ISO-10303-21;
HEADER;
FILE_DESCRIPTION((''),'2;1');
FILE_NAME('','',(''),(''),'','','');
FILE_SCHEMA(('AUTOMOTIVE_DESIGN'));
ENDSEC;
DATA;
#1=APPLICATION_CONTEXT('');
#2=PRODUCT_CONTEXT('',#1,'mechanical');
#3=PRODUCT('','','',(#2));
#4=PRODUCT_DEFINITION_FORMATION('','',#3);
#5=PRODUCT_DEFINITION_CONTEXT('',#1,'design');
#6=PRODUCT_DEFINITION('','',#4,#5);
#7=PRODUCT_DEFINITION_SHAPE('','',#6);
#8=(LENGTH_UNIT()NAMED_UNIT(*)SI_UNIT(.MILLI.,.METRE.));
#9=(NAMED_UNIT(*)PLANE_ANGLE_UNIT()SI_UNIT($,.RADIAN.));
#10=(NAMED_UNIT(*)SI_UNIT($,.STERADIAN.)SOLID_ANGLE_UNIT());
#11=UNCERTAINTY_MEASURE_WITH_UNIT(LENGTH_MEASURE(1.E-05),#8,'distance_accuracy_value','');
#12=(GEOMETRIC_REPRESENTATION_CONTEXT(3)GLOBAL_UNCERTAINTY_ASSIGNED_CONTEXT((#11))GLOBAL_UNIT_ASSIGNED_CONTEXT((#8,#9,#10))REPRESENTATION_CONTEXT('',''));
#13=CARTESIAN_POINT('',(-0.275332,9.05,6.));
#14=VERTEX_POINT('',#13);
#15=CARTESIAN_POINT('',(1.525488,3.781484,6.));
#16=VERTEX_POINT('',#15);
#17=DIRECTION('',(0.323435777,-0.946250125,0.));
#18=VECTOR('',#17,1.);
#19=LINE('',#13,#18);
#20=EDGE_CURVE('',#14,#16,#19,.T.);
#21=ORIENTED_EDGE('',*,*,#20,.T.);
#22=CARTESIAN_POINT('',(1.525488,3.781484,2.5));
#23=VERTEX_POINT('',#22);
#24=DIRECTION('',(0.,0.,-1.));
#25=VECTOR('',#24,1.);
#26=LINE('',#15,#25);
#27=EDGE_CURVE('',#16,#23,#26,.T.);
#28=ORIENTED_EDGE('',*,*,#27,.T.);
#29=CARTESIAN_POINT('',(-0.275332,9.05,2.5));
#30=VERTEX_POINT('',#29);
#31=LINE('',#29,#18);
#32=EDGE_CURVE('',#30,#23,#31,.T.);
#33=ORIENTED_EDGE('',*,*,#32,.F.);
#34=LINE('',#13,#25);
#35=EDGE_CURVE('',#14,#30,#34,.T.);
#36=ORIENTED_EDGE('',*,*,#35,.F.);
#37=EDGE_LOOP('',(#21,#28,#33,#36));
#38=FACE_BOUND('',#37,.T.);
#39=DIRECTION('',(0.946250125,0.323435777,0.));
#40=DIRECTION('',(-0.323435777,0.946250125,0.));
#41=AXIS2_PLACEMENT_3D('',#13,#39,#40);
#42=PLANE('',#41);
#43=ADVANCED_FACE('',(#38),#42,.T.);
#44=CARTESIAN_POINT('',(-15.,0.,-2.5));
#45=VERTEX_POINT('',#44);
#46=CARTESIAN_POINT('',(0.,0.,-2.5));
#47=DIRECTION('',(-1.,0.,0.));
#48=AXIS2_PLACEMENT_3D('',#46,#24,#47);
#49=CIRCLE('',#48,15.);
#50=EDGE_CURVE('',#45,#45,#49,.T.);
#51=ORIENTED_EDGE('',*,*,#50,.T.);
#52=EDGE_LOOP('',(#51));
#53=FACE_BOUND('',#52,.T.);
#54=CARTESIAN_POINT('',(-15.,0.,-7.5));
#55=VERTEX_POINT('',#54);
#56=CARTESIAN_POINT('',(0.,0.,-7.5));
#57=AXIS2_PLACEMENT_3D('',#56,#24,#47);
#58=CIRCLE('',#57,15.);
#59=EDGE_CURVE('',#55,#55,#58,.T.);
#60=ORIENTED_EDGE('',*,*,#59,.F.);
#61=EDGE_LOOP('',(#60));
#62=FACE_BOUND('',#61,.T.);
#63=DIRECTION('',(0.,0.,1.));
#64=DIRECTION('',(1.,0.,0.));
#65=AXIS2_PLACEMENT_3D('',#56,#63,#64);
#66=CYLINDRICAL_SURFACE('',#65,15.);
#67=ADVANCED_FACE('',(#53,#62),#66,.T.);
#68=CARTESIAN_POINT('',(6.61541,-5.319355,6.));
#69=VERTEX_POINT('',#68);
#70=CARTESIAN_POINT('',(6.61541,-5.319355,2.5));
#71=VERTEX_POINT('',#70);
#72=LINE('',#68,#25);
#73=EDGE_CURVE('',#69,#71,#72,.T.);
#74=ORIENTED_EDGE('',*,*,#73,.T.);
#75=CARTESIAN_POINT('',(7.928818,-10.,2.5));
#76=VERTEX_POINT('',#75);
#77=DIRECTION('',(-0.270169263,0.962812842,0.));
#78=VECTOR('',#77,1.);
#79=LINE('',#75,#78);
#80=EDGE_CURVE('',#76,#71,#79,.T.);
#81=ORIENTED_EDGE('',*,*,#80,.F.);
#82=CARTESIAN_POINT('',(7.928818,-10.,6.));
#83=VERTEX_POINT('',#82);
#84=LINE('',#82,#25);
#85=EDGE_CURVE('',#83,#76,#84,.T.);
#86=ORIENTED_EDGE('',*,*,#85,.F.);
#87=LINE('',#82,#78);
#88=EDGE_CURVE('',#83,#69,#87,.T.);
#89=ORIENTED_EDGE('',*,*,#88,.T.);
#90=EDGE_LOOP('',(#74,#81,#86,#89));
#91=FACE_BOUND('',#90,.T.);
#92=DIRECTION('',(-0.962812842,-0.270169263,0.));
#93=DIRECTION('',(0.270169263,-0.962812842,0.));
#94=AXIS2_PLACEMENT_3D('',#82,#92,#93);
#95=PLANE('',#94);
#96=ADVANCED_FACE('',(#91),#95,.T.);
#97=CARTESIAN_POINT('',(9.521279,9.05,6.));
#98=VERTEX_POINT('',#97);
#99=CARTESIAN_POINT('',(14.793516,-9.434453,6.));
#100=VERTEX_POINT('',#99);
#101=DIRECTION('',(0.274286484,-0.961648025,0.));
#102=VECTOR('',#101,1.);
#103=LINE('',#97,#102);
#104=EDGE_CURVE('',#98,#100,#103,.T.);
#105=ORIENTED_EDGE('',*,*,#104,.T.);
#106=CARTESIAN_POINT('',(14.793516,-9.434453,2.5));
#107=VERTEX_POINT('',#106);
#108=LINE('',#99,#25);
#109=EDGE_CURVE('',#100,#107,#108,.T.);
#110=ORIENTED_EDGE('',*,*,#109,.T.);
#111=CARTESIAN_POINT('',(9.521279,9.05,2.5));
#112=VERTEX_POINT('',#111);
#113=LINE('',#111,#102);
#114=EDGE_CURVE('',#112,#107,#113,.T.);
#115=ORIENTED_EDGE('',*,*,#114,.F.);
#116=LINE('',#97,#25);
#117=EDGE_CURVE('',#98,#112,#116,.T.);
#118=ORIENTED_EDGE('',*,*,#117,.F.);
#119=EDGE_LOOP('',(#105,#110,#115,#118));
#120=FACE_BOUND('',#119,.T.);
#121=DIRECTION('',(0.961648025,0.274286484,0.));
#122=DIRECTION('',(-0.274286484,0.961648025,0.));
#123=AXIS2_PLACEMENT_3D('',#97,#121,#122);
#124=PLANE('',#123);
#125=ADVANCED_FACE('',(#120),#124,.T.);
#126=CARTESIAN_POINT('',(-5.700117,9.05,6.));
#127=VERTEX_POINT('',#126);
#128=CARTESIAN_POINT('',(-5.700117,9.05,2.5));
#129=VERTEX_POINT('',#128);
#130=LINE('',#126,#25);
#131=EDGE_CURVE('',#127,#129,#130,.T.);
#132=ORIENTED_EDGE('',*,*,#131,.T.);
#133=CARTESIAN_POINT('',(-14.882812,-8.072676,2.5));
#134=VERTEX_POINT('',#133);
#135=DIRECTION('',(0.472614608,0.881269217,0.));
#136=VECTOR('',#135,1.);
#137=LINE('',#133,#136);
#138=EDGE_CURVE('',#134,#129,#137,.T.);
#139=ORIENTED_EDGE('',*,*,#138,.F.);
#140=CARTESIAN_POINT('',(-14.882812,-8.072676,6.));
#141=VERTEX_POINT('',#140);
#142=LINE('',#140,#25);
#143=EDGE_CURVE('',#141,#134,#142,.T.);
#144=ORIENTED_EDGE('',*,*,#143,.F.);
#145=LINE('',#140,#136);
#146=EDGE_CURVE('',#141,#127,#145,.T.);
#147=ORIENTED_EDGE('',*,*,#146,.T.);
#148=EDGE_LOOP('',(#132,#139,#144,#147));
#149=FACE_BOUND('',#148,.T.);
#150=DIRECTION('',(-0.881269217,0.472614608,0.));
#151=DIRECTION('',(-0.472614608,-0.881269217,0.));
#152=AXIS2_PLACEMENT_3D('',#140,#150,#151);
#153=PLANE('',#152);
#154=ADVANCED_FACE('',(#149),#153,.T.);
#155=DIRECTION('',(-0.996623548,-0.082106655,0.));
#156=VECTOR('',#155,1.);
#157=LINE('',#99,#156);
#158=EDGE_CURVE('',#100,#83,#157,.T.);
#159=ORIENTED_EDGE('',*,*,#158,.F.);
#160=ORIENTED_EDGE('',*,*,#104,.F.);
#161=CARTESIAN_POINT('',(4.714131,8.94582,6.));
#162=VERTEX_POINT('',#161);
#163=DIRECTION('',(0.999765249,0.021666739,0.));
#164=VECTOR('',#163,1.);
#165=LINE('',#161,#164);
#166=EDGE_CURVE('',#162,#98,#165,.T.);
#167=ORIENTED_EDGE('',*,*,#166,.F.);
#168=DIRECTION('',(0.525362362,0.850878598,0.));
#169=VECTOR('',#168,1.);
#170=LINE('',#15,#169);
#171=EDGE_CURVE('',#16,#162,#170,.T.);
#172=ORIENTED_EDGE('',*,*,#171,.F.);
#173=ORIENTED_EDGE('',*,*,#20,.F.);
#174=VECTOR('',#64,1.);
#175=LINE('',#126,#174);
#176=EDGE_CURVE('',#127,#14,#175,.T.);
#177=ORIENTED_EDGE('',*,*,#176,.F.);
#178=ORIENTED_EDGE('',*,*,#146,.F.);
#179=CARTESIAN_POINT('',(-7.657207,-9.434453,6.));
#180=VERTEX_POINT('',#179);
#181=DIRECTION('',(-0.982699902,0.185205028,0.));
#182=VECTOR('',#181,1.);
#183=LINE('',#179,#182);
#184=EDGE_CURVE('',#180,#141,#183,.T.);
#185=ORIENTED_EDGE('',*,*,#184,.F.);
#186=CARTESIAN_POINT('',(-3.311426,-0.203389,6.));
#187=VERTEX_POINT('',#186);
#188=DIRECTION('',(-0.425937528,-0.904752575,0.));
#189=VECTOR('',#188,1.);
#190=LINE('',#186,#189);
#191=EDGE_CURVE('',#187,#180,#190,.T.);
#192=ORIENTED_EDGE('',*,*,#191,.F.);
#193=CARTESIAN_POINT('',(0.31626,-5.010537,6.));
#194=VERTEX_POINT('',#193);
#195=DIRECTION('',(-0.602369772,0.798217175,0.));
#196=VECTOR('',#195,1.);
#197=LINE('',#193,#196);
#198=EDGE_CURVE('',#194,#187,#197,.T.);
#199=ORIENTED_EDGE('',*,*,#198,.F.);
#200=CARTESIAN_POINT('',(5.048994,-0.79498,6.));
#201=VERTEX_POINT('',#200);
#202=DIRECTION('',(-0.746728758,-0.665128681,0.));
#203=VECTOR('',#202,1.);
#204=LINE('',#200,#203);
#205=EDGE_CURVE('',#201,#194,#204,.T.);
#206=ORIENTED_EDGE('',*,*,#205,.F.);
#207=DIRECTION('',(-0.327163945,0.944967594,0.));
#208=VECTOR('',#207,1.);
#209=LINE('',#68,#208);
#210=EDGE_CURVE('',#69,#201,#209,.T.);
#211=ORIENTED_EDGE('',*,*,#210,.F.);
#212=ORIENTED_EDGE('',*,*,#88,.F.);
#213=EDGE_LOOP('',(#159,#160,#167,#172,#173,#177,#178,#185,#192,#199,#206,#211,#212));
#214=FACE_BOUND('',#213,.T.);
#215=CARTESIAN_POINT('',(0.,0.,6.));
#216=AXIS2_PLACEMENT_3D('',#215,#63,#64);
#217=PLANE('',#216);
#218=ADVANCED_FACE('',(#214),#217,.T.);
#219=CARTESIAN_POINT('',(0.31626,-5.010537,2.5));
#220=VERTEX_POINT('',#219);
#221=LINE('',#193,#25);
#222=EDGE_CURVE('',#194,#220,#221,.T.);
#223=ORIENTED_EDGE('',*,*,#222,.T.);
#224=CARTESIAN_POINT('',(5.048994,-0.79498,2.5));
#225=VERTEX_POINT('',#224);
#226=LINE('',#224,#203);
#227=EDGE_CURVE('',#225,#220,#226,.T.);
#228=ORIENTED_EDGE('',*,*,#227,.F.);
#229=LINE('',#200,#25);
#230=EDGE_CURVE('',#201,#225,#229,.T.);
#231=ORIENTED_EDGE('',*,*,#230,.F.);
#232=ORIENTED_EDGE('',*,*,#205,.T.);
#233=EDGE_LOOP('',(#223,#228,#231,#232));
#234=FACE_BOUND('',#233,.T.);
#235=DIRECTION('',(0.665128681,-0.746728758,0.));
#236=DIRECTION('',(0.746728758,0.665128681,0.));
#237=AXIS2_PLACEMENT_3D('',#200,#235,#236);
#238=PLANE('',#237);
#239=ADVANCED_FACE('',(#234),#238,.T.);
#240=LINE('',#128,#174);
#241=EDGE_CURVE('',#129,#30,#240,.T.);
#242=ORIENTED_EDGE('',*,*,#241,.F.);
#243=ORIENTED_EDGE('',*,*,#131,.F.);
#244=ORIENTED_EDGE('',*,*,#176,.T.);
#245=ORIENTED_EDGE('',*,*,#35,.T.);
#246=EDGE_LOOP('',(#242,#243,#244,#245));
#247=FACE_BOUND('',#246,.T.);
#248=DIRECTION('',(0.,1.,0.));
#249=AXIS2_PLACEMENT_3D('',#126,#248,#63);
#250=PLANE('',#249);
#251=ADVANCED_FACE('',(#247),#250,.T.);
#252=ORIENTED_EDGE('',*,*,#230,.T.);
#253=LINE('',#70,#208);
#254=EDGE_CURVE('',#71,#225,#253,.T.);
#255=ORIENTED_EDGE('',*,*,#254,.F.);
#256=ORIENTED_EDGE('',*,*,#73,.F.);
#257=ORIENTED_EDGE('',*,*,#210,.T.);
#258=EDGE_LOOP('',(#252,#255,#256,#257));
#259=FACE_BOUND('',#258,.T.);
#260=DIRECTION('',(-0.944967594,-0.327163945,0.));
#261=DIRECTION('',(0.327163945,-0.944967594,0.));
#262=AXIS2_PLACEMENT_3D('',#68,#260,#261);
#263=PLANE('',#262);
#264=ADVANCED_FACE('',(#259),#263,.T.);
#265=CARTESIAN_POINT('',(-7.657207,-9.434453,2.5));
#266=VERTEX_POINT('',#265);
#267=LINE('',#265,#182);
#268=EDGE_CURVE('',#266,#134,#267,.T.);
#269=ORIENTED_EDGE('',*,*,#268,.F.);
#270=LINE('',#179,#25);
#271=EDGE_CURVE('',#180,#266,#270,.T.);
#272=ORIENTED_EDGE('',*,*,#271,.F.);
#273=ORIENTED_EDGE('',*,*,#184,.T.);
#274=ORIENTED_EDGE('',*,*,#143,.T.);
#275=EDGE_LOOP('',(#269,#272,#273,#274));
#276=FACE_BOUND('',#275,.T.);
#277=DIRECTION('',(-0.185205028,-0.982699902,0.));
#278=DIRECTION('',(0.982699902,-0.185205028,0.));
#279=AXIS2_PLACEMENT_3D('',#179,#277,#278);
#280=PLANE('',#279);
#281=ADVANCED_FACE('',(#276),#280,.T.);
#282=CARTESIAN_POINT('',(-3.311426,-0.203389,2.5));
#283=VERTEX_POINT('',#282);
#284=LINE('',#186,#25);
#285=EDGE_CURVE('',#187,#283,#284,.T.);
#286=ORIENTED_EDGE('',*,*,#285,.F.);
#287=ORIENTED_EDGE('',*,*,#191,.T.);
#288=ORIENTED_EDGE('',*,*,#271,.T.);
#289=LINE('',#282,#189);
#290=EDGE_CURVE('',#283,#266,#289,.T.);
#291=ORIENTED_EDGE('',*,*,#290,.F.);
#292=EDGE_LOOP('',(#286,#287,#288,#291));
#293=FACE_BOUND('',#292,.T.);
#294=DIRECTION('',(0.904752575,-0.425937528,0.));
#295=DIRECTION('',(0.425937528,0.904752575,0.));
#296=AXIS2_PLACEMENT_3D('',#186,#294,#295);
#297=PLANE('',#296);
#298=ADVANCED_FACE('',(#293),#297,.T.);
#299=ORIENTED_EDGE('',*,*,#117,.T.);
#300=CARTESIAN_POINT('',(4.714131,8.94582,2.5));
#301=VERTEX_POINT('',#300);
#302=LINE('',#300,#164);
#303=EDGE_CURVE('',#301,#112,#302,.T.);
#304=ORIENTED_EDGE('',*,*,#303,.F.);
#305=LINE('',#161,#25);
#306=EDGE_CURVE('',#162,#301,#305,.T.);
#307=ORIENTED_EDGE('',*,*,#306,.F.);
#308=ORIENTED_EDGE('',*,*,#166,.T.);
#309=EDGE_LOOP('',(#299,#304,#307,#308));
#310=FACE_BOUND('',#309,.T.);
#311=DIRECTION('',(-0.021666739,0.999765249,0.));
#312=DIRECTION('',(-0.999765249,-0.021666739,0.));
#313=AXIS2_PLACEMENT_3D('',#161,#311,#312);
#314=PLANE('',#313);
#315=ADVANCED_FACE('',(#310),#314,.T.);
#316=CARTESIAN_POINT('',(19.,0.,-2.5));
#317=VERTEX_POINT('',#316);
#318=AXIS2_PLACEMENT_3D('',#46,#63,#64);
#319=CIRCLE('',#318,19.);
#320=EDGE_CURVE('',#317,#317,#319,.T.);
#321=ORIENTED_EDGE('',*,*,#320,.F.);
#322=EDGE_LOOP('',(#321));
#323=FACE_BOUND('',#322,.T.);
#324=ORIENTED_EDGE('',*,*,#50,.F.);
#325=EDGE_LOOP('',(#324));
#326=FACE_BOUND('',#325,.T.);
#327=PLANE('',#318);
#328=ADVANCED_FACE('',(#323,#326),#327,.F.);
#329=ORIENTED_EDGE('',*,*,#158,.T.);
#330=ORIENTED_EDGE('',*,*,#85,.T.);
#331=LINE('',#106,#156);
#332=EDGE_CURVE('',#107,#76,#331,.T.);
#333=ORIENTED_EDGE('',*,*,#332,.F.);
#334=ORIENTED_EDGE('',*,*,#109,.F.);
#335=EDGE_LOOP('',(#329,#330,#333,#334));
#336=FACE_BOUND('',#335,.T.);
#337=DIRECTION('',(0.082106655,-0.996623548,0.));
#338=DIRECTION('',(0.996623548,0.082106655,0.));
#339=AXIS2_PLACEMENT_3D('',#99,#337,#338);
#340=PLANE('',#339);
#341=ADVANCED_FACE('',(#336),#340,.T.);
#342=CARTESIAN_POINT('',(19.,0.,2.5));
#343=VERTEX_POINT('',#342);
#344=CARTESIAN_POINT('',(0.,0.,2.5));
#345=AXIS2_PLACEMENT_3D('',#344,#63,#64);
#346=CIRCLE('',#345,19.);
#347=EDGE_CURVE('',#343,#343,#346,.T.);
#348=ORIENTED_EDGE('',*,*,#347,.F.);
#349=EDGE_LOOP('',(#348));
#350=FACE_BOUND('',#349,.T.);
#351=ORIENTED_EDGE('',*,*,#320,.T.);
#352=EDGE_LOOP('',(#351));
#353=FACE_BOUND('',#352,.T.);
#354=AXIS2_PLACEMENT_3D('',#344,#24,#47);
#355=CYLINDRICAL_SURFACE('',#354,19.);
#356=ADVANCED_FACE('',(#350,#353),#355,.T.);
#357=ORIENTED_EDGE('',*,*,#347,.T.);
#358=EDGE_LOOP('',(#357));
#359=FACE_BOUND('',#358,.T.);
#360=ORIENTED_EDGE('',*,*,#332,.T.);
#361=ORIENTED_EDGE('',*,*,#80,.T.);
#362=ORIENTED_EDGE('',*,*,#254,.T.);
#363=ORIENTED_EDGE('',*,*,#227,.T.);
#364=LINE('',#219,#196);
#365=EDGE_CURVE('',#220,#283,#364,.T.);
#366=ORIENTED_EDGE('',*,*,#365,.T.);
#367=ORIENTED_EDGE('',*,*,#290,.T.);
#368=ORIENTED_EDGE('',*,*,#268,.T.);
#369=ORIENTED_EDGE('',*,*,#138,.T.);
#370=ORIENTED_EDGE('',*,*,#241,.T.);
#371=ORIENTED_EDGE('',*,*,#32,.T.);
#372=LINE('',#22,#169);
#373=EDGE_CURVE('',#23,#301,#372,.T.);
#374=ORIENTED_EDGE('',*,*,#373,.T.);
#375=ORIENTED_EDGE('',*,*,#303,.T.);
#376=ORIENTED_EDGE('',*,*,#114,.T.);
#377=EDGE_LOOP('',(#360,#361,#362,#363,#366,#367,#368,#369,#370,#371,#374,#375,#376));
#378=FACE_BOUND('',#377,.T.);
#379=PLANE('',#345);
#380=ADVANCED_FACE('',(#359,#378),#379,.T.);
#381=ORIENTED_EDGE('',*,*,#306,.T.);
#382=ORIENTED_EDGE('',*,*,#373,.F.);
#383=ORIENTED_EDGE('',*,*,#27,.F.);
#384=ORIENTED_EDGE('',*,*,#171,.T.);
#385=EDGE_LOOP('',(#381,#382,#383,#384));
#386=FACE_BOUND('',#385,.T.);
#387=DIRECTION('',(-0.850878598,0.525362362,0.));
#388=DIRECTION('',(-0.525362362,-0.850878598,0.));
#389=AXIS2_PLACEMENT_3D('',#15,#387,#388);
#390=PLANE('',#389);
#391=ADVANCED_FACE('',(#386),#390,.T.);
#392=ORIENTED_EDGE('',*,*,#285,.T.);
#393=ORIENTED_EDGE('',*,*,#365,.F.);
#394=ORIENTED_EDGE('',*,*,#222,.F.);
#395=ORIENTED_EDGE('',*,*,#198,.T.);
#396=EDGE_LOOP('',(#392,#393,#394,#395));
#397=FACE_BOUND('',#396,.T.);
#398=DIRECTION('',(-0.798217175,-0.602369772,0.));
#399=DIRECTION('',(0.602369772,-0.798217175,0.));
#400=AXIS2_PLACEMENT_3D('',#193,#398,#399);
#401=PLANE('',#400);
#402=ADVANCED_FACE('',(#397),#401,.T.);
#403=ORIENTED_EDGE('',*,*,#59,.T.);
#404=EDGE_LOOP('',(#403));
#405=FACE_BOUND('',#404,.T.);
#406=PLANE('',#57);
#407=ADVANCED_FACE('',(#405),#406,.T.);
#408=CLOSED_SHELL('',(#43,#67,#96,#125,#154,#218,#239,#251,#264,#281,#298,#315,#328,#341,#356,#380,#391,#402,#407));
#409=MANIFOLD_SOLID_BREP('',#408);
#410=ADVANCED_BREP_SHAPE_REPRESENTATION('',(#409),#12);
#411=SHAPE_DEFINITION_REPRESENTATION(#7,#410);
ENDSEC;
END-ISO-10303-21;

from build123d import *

# Parameters (mm, degrees)
ESBO_O1_R                = 19
RESSALTO_EXTRUS_O1_DEPTH = 2.5
ESBO_O2_R                = 15
RESSALTO_EXTRUS_O2_DEPTH = 5
RESSALTO_EXTRUS_O3_DEPTH = 3.5


with BuildPart() as part:
    # Esboço1 → Ressalto-extrusão1 (new, symmetric)
    with BuildSketch(Plane.XY):
        Circle(ESBO_O1_R)
    extrude(amount=RESSALTO_EXTRUS_O1_DEPTH, both=True)

    # Esboço2 → Ressalto-extrusão2 (add)
    with BuildSketch(Plane(origin=(0, 0, -2.5), x_dir=(-1, 0, 0), z_dir=(0, 0, -1))):
        Circle(ESBO_O2_R)
    extrude(amount=RESSALTO_EXTRUS_O2_DEPTH)

    # Esboço4 → Ressalto-extrusão3 (add)
    with BuildSketch(Plane.XY.offset(2.5)):
        Polygon((-14.8828125, -8.072675781), (-5.700117187, 9.05), (-0.275332031, 9.05), (1.525488281, 3.781484375), (4.714130859, 8.945820312), (9.521279297, 9.05), (14.793515625, -9.434453125), (7.928818359, -10), (6.615410156, -5.319355469), (5.048994141, -0.794980469), (0.316259766, -5.010537109), (-3.311425781, -0.203388672), (-7.657207031, -9.434453125), align=None)
    extrude(amount=RESSALTO_EXTRUS_O3_DEPTH)


solid = part.part
